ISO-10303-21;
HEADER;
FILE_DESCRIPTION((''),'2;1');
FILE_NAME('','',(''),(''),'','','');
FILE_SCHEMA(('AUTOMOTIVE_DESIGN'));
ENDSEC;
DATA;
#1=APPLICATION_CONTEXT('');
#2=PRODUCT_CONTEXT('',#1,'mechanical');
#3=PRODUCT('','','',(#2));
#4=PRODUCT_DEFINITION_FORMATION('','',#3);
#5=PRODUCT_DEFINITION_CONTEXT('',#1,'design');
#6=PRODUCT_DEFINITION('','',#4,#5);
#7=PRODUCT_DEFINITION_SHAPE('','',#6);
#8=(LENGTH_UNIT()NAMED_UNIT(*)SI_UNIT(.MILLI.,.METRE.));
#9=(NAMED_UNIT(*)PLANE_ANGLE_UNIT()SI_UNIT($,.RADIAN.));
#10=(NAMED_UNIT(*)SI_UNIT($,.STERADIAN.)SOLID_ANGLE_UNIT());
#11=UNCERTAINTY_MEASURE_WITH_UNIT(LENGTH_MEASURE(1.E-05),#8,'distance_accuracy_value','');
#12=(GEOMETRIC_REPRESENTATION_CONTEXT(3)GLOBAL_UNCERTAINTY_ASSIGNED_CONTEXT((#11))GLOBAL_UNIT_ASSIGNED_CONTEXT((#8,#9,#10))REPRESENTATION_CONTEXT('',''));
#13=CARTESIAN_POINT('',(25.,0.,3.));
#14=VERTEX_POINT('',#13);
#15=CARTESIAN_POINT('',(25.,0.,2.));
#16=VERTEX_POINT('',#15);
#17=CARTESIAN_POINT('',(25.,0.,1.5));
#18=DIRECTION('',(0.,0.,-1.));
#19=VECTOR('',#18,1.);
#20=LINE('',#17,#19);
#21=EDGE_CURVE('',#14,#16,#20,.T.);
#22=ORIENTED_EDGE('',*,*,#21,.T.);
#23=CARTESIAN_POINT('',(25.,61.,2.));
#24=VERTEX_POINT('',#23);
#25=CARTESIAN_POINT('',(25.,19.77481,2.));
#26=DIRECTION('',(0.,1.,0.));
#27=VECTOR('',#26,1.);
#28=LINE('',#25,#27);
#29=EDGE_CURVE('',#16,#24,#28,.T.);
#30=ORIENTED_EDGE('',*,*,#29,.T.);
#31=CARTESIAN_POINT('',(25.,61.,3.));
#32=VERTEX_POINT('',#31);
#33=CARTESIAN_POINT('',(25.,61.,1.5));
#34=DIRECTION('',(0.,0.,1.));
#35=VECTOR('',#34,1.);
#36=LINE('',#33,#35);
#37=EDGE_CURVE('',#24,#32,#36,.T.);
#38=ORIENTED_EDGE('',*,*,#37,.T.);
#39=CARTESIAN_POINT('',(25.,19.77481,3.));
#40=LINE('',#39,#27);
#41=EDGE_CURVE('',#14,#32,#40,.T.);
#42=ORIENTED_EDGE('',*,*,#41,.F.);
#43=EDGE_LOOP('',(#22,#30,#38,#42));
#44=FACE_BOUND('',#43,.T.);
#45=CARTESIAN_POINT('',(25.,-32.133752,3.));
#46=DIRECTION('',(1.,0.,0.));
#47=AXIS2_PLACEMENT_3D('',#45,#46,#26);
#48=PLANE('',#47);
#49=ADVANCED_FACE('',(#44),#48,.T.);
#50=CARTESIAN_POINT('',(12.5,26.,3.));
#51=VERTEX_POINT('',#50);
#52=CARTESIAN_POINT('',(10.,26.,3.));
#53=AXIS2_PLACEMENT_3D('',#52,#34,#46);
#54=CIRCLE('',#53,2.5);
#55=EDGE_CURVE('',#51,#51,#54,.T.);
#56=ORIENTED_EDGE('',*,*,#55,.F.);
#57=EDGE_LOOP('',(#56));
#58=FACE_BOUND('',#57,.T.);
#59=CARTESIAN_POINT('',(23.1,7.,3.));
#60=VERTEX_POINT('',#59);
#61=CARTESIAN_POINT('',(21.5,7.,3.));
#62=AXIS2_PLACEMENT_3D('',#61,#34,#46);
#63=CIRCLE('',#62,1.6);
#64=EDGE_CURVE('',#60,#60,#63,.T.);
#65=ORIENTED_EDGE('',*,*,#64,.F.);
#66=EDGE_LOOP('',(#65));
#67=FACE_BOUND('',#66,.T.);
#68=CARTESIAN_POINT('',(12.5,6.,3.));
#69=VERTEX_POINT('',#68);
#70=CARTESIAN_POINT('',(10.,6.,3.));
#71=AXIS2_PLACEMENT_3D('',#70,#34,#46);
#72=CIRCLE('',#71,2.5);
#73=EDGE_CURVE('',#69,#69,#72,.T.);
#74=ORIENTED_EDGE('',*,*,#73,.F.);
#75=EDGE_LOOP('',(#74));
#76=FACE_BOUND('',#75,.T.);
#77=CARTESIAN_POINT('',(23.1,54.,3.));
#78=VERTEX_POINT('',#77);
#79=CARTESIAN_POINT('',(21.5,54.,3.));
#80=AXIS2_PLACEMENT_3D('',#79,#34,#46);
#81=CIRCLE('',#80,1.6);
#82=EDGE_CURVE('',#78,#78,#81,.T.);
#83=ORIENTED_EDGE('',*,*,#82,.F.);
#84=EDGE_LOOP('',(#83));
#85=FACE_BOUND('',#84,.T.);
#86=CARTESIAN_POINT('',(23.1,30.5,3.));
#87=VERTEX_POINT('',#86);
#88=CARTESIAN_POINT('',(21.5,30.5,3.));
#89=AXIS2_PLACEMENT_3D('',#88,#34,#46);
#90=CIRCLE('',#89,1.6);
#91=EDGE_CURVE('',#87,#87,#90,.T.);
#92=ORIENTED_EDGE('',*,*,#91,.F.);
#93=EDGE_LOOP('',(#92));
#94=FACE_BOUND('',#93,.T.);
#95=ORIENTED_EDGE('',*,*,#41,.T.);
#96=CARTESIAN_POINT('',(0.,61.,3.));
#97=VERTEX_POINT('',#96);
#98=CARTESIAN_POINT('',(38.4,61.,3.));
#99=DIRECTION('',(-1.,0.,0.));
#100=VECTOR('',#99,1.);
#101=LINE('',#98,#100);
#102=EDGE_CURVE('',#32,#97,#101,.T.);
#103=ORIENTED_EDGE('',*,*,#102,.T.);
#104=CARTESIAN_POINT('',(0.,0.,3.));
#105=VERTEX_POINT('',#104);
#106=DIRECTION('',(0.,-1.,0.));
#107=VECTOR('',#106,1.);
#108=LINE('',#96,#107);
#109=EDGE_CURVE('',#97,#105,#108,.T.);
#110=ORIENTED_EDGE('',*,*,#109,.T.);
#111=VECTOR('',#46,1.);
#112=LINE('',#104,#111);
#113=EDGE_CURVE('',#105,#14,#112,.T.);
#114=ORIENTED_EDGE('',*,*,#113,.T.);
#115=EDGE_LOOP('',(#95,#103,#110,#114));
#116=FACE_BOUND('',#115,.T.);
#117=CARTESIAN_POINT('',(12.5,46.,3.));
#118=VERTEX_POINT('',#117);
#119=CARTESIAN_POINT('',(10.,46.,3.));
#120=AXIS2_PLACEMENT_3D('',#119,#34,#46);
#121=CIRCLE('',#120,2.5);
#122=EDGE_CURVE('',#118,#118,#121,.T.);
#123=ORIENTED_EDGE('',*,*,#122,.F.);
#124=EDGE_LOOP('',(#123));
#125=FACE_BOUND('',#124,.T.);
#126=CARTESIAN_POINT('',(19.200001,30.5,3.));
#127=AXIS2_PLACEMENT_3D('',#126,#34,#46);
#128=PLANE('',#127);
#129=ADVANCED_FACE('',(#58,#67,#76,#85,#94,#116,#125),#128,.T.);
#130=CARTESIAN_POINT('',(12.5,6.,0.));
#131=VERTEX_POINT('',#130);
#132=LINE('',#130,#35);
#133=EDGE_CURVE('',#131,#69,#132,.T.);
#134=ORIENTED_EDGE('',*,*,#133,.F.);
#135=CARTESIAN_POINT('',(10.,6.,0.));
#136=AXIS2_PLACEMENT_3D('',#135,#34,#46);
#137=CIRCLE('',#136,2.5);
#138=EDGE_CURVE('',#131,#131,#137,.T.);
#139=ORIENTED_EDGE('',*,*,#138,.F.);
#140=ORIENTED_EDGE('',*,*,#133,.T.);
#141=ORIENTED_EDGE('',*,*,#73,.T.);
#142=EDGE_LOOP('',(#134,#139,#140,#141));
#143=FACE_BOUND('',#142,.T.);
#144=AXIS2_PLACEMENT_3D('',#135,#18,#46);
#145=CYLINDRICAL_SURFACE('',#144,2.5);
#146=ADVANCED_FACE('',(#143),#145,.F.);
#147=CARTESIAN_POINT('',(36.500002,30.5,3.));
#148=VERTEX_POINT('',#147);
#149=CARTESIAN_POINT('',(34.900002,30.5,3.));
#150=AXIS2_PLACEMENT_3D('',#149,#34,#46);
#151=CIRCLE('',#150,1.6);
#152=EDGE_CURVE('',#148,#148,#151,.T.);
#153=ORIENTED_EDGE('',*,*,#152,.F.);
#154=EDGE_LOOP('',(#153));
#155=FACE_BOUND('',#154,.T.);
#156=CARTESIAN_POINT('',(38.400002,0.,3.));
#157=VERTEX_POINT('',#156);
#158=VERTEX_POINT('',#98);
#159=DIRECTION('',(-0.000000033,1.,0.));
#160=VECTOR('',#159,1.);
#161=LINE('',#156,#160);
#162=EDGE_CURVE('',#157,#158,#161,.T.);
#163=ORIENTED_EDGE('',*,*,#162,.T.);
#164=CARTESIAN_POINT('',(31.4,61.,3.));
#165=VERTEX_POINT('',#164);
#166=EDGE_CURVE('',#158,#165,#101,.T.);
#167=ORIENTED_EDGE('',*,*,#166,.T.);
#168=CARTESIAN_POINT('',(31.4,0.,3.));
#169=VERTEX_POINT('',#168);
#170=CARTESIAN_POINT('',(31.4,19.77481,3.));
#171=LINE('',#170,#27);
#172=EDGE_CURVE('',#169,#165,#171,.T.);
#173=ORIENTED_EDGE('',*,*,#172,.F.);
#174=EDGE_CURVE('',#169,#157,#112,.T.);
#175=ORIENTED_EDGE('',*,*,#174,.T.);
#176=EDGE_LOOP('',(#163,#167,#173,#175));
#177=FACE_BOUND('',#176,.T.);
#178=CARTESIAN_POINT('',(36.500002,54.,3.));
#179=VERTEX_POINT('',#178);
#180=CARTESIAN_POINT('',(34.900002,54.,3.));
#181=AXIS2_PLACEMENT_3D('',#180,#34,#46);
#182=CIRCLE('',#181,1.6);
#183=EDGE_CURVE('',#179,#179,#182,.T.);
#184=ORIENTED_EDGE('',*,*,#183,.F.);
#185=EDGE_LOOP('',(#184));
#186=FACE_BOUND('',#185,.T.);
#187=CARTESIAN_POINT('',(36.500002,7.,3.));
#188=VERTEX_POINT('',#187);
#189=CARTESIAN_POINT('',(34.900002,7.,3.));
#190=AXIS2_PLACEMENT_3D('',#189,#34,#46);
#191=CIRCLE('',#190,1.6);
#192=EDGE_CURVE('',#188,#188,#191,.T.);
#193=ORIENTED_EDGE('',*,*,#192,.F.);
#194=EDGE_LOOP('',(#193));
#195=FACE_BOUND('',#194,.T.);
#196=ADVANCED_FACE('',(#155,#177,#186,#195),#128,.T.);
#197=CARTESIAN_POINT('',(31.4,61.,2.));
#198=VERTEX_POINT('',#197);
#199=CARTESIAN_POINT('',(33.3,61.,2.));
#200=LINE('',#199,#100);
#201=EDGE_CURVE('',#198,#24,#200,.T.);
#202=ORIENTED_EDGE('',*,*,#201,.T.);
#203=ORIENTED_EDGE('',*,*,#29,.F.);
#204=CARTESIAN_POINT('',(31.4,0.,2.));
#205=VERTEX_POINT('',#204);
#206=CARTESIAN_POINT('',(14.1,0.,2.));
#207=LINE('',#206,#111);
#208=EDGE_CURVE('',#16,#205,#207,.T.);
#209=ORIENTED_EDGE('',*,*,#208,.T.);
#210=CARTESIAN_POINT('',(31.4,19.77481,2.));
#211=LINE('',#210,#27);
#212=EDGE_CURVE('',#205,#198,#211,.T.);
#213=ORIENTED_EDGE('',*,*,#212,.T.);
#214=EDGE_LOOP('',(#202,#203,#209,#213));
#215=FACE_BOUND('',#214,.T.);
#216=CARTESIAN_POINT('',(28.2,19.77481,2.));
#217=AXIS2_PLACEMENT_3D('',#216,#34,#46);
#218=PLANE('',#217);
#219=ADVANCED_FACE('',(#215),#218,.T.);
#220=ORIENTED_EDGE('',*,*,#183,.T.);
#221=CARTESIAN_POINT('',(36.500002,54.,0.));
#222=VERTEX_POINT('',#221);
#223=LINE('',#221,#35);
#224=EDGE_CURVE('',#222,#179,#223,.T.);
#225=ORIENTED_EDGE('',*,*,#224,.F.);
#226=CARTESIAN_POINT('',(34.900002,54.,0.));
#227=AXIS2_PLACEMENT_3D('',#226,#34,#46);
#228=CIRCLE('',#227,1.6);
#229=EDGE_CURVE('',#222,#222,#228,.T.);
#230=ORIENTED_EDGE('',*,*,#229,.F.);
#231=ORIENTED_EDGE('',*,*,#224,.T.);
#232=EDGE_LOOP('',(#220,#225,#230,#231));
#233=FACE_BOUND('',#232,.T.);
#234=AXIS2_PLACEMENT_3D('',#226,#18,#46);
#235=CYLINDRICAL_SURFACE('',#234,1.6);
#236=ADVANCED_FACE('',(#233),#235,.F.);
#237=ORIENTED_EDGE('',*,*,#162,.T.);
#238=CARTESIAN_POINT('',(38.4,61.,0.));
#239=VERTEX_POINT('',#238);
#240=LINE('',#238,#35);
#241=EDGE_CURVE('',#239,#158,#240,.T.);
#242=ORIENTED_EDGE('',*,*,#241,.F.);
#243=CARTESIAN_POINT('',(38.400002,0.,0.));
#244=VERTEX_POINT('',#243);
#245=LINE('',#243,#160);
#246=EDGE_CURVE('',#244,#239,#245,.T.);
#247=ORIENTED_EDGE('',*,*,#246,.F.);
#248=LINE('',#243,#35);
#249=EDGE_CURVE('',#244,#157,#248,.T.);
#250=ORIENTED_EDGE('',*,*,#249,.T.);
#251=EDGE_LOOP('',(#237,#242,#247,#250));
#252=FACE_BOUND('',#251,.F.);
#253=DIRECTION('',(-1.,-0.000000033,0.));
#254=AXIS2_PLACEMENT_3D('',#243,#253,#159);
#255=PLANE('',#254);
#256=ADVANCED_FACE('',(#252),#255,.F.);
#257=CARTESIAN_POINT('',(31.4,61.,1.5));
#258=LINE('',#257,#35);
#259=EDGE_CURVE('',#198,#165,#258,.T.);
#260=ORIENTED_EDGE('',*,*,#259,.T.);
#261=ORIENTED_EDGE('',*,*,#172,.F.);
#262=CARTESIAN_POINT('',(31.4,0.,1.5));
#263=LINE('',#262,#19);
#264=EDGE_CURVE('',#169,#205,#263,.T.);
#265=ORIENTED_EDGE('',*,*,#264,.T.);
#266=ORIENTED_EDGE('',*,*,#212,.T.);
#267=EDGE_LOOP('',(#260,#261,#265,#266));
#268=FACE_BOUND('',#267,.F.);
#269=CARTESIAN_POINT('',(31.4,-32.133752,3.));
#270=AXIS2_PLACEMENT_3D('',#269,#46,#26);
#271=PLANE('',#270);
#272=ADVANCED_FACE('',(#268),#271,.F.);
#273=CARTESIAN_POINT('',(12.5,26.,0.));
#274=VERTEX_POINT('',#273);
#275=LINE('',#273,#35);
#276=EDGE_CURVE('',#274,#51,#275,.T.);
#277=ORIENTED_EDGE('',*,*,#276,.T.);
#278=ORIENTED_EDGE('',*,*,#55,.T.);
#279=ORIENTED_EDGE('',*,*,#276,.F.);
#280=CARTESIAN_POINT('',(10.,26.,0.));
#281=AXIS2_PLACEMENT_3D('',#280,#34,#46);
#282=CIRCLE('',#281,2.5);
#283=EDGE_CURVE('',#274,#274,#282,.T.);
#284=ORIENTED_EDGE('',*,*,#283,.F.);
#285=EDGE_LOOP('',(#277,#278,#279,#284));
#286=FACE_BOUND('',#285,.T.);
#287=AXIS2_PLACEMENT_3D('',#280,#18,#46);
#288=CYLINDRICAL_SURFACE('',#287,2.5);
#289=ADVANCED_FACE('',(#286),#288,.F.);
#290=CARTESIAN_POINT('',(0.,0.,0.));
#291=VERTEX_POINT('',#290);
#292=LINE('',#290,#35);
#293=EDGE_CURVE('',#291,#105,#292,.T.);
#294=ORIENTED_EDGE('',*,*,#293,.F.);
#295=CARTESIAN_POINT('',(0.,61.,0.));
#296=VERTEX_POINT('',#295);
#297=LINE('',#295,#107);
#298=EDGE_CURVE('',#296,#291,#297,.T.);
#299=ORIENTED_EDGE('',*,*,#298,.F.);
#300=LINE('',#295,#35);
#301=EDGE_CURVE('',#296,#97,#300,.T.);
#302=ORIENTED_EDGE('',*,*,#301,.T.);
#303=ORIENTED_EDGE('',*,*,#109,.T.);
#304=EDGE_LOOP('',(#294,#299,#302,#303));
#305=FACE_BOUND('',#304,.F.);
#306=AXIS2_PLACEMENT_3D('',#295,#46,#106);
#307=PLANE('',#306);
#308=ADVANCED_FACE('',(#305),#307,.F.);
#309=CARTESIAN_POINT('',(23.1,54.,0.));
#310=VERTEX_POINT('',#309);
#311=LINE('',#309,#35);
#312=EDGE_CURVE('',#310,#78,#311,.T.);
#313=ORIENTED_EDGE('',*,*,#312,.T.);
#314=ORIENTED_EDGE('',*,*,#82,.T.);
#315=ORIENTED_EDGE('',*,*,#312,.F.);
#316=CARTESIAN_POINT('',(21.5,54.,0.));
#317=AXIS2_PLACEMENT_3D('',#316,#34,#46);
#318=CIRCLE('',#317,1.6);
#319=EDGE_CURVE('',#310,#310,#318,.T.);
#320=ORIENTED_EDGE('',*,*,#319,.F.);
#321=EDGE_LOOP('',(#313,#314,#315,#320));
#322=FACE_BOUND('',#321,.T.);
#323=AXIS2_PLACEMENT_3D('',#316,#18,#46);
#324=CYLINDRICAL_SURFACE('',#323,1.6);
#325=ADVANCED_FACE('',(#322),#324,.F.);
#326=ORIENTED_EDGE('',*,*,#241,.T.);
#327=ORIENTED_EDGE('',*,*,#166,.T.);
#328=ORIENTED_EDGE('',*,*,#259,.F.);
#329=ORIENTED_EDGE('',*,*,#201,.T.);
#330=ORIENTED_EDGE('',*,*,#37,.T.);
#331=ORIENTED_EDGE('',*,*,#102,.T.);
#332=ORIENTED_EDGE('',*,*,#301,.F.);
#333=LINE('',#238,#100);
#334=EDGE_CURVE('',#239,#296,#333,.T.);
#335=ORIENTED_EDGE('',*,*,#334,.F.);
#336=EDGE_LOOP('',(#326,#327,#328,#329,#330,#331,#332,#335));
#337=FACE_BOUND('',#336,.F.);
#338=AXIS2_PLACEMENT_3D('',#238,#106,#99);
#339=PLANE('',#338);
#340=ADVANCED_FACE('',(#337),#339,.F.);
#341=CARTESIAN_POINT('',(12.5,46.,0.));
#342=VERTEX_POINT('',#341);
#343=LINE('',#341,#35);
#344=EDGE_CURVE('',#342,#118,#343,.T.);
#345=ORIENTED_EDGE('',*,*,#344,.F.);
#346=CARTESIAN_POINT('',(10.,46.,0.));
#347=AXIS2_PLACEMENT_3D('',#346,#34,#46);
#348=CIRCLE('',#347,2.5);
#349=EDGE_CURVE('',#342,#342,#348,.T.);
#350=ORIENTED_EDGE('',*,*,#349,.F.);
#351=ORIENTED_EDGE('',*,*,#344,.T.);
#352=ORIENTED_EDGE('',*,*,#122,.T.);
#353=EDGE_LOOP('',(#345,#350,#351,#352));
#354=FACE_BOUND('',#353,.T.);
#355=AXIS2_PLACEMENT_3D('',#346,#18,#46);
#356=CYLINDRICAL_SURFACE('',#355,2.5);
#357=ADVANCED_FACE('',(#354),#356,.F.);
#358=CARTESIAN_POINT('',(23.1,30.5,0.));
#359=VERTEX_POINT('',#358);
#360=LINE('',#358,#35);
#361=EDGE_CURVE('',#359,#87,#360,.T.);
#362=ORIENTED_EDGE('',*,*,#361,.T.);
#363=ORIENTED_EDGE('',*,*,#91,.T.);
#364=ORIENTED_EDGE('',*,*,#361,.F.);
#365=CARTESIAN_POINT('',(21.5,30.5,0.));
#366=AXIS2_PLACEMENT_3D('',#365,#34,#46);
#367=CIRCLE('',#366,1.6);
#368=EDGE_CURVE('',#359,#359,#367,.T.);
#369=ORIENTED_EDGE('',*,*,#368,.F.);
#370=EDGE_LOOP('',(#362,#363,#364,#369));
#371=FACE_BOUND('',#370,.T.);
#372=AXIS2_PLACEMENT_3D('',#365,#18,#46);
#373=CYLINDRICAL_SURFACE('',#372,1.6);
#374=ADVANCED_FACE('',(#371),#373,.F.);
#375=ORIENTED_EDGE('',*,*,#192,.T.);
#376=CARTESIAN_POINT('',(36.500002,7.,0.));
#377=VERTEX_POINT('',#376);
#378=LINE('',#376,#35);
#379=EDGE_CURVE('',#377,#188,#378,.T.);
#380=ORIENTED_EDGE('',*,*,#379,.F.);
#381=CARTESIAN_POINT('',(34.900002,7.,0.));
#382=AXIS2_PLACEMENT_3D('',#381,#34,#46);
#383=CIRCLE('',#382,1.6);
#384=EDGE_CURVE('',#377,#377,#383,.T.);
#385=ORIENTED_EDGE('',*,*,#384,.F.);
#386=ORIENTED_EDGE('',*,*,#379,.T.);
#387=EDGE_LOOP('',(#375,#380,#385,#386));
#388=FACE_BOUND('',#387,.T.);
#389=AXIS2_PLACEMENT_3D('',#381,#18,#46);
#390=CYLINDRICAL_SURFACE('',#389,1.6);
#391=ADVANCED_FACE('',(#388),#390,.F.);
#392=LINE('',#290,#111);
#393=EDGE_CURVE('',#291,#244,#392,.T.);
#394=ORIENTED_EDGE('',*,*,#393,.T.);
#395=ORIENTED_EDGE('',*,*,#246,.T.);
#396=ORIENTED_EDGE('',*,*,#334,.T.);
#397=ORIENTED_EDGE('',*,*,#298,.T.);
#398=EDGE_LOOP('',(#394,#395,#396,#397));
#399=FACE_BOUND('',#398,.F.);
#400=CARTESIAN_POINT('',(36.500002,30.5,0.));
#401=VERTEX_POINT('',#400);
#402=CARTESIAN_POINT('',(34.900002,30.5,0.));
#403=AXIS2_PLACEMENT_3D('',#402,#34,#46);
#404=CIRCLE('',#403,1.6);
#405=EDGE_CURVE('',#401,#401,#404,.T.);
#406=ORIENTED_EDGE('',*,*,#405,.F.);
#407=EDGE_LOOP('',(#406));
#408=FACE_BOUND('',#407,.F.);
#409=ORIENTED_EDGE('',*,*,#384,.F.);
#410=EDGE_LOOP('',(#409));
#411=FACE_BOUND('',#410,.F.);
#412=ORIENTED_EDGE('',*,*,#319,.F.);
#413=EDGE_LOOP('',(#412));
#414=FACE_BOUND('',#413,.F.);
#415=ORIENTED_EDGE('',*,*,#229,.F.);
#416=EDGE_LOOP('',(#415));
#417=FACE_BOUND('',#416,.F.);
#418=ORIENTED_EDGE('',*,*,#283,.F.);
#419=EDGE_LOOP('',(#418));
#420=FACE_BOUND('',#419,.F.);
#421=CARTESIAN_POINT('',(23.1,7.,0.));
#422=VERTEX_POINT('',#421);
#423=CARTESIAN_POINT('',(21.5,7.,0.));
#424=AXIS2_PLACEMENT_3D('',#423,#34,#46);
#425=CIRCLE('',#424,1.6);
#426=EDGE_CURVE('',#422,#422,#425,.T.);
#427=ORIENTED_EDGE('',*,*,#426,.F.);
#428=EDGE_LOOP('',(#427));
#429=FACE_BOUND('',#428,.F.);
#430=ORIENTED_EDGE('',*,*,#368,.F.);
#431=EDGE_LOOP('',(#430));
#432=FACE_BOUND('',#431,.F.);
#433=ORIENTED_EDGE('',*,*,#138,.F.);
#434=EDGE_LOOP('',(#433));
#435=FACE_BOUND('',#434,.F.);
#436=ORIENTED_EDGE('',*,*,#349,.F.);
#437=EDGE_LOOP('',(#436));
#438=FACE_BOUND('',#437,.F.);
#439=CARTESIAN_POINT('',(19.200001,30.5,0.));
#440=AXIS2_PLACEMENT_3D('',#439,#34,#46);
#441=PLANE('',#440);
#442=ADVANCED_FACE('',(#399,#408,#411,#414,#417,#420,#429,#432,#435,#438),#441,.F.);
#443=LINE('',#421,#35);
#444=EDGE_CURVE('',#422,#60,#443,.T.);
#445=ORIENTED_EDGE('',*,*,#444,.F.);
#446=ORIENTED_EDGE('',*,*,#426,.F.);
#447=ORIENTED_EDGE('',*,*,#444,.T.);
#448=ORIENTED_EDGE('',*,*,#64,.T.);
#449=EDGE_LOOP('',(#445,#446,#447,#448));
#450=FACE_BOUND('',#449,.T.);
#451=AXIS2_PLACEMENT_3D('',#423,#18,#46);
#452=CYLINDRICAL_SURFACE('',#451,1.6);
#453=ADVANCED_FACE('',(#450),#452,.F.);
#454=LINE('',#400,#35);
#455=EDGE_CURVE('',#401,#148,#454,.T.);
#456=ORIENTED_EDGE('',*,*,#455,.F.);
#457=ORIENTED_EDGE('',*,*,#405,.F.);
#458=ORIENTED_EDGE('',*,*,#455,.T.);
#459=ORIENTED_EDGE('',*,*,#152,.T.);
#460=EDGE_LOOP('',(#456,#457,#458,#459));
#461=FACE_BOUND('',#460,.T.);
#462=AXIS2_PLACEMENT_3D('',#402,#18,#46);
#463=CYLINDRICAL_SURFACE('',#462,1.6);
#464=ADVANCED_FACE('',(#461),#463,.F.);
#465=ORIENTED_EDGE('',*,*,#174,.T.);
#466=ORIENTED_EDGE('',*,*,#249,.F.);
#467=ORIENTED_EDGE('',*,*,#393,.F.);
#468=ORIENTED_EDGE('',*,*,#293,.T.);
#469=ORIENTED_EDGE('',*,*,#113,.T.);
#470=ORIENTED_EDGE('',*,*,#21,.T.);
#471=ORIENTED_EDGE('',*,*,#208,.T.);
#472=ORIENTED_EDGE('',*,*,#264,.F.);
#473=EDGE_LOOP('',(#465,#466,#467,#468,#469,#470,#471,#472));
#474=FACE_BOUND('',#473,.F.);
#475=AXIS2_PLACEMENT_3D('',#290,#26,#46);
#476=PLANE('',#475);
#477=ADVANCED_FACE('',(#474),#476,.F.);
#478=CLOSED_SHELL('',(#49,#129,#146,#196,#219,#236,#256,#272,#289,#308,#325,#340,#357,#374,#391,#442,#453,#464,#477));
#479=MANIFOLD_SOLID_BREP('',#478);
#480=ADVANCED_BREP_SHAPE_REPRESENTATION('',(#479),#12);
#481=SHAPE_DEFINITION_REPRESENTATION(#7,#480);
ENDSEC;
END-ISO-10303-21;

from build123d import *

# Parameters (mm, degrees)
SKETCH_R     = 2.5
SKETCH_R_2   = 1.6
PAD_DEPTH    = 3
SKETCH001_W  = 6.4
SKETCH001_H  = 103.817123
POCKET_DEPTH = 1


with BuildPart() as part:
    # Sketch → Pad (new body)
    with BuildSketch(Plane.XY):
        Polygon((0, 0), (38.400002, 0), (38.4, 61), (0, 61), align=None)
        with Locations((10, 46)):
            Circle(SKETCH_R, mode=Mode.SUBTRACT)
        with Locations((10, 26)):
            Circle(SKETCH_R, mode=Mode.SUBTRACT)
        with Locations((10, 6)):
            Circle(SKETCH_R, mode=Mode.SUBTRACT)
        with Locations((21.5, 54)):
            Circle(SKETCH_R_2, mode=Mode.SUBTRACT)
        with Locations((21.5, 7)):
            Circle(SKETCH_R_2, mode=Mode.SUBTRACT)
        with Locations((34.900002, 7)):
            Circle(SKETCH_R_2, mode=Mode.SUBTRACT)
        with Locations((34.900002, 54)):
            Circle(SKETCH_R_2, mode=Mode.SUBTRACT)
        with Locations((34.900002, 30.5)):
            Circle(SKETCH_R_2, mode=Mode.SUBTRACT)
        with Locations((21.5, 30.5)):
            Circle(SKETCH_R_2, mode=Mode.SUBTRACT)
    extrude(amount=PAD_DEPTH)

    # Sketch001 (on Face15 of Pad) → Pocket (cut)
    with BuildSketch(Plane.XY.offset(3)):
        with Locations((28.2, 19.77481)):
            Rectangle(SKETCH001_W, SKETCH001_H)
    extrude(amount=-POCKET_DEPTH, mode=Mode.SUBTRACT)


solid = part.part
